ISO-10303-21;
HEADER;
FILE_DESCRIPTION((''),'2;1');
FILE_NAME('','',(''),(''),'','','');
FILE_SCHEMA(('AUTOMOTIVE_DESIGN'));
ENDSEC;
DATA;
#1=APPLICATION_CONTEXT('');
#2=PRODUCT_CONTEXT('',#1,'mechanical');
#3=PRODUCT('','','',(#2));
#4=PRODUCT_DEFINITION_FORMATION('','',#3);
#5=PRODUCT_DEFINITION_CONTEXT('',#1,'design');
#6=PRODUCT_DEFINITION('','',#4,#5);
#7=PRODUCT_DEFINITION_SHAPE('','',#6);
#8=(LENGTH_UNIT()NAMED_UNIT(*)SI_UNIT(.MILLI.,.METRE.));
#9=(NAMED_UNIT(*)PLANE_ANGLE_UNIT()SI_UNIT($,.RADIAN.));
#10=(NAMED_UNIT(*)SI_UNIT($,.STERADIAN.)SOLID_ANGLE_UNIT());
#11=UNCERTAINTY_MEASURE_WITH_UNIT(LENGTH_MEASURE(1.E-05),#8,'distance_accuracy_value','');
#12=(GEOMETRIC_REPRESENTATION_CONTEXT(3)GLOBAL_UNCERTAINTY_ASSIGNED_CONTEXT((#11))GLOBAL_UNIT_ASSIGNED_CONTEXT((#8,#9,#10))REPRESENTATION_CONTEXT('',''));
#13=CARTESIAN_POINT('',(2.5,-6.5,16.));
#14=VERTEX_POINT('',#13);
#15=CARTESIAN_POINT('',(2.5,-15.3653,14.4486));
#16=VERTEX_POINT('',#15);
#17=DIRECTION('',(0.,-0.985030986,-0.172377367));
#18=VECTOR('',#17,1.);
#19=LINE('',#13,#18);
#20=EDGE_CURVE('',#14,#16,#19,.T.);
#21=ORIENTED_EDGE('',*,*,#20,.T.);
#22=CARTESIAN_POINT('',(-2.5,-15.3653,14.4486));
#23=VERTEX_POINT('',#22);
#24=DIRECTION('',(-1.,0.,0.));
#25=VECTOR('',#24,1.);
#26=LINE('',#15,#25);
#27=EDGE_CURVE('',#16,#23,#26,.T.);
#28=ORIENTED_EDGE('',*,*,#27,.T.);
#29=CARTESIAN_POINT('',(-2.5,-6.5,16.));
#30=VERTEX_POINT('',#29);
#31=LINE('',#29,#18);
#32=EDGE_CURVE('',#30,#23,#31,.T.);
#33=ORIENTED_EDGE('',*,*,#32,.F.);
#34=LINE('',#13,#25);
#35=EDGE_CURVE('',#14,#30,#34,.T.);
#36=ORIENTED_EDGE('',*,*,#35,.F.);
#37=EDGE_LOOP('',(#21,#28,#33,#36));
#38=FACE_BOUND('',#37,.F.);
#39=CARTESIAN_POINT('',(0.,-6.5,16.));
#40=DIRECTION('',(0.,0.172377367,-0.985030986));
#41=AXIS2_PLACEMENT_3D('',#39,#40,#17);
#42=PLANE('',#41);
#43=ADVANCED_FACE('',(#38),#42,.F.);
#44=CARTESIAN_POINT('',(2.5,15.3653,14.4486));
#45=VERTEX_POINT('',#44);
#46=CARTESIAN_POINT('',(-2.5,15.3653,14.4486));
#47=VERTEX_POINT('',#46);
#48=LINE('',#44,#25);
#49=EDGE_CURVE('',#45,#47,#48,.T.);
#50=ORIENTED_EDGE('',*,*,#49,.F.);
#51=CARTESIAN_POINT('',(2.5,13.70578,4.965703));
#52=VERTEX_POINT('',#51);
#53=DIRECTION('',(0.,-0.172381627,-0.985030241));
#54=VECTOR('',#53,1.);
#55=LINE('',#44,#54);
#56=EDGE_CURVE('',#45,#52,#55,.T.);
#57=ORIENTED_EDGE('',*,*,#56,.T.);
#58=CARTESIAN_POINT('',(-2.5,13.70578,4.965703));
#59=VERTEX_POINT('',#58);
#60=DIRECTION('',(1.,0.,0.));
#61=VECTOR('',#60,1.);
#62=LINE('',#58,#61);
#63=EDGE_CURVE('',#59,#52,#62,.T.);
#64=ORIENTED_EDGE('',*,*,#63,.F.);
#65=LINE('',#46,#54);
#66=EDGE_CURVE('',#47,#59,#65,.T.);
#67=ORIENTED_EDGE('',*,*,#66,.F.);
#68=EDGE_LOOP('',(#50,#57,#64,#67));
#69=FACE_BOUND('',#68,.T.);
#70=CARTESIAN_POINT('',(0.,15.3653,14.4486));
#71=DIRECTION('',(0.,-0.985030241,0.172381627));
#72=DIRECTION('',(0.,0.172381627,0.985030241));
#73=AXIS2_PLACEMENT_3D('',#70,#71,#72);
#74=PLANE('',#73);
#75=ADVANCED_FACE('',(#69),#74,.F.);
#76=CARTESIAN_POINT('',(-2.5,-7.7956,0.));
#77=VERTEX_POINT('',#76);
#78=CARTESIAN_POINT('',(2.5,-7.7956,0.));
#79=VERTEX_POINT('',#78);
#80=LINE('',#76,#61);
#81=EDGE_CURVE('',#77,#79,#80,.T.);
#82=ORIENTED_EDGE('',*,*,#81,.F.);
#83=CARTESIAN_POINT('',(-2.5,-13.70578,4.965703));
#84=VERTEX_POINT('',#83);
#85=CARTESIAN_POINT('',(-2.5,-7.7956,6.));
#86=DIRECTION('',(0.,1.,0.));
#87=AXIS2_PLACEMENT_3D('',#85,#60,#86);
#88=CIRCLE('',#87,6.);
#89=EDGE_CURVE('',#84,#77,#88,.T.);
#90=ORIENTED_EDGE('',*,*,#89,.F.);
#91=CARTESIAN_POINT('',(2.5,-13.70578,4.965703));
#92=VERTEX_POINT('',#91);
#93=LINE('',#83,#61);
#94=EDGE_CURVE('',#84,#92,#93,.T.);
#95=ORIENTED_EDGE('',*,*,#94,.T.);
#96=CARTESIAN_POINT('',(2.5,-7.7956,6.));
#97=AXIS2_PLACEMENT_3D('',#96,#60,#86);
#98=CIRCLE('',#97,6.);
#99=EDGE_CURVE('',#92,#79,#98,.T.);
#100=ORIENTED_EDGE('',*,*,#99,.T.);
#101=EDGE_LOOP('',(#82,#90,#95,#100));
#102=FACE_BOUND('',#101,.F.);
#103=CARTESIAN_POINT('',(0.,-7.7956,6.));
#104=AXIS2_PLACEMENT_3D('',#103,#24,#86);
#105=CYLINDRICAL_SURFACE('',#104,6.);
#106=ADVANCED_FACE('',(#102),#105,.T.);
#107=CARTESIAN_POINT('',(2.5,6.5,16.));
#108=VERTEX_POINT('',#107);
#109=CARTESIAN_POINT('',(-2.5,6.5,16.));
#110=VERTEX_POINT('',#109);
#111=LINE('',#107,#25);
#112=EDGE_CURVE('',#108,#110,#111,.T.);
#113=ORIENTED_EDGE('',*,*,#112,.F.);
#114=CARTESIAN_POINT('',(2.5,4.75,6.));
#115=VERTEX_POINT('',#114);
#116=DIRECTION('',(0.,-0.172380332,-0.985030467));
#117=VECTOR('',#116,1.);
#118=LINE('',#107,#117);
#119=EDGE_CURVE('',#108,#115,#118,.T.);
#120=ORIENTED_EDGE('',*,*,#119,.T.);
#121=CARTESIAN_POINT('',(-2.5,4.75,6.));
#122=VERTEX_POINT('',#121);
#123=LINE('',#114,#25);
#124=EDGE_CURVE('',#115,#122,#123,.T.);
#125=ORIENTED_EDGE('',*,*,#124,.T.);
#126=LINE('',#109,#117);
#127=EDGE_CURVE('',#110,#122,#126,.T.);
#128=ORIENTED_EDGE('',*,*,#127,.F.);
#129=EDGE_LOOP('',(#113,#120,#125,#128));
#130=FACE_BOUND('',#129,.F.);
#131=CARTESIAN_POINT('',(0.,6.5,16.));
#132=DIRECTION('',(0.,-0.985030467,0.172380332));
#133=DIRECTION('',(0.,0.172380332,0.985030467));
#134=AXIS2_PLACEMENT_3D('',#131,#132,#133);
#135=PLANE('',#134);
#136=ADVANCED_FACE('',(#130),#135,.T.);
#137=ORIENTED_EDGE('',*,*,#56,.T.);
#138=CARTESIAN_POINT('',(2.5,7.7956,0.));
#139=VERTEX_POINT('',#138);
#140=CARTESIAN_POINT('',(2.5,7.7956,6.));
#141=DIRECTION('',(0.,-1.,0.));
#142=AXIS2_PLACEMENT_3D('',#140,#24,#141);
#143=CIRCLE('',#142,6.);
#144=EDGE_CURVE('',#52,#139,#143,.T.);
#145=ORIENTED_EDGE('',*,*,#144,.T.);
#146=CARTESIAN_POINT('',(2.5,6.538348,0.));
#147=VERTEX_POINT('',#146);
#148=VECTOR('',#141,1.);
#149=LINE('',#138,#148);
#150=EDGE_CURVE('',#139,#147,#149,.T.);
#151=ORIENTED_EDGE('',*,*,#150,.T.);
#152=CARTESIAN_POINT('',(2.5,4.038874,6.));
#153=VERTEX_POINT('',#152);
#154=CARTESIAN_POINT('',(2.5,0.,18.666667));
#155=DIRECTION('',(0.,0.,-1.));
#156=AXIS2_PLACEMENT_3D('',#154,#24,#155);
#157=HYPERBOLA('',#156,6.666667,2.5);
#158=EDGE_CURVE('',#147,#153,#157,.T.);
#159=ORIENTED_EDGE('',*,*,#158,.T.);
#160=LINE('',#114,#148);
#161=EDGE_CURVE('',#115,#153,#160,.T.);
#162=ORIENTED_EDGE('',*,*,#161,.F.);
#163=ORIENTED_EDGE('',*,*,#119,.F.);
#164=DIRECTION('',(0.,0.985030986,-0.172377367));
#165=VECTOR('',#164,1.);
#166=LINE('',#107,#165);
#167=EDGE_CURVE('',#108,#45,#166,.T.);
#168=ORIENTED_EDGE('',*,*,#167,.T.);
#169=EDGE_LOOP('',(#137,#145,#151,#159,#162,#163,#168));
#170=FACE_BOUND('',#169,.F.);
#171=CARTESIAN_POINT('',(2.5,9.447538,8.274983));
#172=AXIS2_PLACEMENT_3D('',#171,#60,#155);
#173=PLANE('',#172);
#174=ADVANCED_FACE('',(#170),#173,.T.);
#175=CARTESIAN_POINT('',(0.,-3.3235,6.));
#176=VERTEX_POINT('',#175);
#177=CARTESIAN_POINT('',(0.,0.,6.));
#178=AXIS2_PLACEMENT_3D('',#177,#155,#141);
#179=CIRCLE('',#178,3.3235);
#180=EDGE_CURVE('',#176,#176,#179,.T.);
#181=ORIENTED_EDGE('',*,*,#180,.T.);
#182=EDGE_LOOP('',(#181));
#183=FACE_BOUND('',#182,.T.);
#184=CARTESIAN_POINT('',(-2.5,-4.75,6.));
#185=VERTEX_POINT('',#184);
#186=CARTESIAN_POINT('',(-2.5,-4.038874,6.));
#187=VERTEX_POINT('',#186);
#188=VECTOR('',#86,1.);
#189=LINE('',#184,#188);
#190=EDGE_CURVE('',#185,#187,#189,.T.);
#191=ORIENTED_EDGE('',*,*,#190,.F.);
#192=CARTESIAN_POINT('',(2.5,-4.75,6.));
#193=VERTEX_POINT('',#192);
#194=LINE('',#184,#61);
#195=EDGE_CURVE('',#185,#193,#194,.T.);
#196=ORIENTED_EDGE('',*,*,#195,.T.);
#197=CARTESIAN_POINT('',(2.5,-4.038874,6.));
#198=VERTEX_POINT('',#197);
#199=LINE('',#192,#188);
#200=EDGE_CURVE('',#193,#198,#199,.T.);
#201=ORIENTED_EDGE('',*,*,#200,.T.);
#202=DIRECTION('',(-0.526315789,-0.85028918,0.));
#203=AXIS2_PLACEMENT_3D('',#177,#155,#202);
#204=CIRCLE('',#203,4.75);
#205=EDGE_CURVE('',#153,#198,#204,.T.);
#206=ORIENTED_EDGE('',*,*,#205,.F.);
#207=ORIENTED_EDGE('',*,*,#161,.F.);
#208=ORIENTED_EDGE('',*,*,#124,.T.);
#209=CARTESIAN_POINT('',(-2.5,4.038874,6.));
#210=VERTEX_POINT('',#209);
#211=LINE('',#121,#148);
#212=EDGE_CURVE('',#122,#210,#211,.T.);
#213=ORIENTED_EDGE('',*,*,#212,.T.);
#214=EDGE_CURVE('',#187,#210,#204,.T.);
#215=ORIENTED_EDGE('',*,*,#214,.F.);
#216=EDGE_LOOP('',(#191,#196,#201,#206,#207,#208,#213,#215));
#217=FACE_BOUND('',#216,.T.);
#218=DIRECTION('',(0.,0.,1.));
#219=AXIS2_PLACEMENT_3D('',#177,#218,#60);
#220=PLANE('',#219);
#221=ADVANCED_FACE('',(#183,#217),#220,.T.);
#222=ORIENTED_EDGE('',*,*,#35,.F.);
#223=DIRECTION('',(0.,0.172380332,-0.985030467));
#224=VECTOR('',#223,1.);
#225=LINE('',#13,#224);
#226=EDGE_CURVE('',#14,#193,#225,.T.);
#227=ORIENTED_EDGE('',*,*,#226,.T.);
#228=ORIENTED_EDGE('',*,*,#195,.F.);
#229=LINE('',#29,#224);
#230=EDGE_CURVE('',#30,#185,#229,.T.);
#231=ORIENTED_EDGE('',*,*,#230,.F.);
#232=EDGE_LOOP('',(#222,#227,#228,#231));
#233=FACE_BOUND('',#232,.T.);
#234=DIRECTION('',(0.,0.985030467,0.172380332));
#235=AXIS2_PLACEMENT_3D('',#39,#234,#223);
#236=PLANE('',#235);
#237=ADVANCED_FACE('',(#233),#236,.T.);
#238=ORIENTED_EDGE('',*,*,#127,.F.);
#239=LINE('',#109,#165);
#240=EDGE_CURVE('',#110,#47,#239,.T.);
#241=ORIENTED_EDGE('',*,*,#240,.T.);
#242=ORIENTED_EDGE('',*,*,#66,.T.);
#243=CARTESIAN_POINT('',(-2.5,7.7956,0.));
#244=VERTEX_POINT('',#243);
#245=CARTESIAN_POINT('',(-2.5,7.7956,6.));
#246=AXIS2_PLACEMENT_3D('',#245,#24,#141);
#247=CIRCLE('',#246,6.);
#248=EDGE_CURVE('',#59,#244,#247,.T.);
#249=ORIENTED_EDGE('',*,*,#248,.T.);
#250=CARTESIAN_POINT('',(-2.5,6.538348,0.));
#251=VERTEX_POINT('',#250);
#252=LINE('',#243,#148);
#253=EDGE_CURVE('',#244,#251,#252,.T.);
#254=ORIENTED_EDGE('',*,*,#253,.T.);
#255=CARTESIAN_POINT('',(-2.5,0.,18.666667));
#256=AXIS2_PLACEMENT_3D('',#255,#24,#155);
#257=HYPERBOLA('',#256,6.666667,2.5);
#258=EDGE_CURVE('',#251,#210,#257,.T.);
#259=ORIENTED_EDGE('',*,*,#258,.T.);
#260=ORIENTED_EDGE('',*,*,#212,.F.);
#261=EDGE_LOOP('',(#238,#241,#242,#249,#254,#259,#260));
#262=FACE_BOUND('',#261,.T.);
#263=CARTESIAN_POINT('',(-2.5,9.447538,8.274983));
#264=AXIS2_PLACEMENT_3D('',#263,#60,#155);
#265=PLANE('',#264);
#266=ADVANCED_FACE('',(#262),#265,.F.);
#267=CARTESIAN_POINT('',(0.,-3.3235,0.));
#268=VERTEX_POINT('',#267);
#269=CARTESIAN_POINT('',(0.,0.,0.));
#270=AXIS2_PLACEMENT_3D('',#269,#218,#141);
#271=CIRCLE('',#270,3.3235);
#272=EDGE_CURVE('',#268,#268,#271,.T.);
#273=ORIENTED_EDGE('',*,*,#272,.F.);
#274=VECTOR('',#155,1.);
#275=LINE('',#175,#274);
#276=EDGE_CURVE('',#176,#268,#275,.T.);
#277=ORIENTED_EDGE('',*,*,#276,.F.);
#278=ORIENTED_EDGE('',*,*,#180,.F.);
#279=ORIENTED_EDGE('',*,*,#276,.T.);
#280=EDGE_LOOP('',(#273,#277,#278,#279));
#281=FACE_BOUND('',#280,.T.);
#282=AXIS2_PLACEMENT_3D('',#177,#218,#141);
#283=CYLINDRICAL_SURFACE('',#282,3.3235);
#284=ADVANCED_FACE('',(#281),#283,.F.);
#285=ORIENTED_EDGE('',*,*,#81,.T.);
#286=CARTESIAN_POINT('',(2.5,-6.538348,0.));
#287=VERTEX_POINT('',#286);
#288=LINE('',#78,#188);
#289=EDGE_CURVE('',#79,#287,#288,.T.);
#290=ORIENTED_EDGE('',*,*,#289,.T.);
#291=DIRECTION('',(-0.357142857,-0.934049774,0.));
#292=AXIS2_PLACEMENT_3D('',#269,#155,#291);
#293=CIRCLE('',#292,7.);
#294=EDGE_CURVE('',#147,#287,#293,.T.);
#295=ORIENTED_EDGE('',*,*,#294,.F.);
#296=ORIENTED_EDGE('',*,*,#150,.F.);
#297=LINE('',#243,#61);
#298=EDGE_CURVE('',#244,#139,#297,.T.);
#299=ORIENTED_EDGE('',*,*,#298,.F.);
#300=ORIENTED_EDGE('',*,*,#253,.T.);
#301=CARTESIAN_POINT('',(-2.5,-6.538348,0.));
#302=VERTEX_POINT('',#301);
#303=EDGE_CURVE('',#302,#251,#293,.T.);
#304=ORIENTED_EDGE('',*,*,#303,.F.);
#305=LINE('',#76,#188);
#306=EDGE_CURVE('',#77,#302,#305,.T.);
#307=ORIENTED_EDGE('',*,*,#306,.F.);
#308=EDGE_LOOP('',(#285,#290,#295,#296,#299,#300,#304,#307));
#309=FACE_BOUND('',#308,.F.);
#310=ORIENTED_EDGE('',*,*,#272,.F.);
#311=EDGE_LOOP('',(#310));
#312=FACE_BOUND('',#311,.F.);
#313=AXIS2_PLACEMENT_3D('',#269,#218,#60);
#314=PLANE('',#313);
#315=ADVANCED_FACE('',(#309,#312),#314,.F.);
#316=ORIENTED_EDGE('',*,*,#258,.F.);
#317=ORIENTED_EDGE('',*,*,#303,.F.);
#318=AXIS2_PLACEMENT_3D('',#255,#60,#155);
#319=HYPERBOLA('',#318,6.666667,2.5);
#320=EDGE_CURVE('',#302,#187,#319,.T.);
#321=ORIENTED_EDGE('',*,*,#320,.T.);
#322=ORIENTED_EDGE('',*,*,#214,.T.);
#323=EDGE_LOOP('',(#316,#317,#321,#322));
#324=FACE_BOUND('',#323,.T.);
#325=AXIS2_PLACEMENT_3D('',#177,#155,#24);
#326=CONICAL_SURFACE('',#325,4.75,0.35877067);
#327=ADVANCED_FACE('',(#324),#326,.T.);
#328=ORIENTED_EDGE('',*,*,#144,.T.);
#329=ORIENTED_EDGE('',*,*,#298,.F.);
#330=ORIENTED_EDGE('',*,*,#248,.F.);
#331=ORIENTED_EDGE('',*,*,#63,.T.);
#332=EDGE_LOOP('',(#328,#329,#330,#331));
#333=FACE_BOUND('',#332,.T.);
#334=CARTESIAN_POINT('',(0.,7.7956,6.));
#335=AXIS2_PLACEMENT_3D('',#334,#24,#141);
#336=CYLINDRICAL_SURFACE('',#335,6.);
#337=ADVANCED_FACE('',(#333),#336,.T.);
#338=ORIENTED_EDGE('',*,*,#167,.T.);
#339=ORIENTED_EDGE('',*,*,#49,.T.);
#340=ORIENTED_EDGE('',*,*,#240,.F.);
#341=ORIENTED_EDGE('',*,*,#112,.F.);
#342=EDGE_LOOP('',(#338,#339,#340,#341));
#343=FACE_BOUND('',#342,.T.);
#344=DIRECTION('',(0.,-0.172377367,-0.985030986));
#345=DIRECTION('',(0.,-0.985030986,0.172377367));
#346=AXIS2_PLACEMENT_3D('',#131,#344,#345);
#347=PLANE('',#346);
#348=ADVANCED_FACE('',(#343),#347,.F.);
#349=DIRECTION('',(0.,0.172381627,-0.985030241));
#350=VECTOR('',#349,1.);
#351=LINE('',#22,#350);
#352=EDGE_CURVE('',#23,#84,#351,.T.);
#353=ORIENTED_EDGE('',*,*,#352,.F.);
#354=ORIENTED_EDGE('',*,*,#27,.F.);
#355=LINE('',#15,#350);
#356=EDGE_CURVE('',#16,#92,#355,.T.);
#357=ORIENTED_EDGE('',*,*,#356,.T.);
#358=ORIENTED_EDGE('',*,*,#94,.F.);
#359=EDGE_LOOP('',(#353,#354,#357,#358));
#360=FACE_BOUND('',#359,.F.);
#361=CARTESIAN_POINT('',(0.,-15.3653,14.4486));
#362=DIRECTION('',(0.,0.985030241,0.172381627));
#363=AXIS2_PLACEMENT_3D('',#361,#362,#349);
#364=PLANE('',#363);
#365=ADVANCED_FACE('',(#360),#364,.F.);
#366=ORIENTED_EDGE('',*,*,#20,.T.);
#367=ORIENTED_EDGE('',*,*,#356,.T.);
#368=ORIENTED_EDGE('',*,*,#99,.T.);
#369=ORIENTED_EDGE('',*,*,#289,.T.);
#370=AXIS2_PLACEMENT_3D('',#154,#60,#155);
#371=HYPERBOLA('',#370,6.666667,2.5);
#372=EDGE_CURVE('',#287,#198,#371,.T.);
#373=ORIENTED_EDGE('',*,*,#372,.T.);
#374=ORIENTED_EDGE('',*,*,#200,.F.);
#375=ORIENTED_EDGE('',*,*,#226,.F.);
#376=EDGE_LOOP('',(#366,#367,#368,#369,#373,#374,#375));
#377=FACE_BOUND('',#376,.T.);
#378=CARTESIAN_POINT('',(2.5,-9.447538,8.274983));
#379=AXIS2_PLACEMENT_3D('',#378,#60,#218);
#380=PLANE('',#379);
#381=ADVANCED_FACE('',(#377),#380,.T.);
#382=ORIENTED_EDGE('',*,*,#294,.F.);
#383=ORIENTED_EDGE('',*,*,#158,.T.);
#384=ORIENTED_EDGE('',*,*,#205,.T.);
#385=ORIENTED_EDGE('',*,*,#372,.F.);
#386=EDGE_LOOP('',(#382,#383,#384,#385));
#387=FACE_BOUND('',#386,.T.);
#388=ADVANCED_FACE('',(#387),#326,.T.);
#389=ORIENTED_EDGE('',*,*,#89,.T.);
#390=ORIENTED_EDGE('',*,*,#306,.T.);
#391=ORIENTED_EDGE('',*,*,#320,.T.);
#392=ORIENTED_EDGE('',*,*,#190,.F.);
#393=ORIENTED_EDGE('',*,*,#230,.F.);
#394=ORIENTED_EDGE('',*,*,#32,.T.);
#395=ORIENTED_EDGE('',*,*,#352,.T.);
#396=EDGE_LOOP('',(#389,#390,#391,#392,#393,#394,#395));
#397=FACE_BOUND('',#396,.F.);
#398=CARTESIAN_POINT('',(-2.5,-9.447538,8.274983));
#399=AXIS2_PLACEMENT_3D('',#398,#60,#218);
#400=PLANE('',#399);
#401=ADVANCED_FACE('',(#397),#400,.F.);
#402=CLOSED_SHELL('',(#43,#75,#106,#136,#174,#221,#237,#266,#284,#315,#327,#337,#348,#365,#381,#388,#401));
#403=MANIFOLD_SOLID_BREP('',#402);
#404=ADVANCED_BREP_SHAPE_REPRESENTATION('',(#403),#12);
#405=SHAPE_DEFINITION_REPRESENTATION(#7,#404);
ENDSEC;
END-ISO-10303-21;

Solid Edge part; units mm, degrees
sketch "Sketch1" plane through (0, 0, 0) normal (0, 0, 1) x (1, 0, 0)
  circle A0 centre (0, 0) radius 7
  dimension "D1" = 14
extrude "Protrusion1" add sketch "Sketch1" along normal blind 6
sketch "Sketch2" plane through (0, 0, 0) normal (0, -1, 0) x (1, 0, 0)
  line L0 (-4.75, 6) -> (-7, 0)
  dimension "D1" = 4.75
revolve "RevolvedCutout1" cut sketch "Sketch2" angle 360 about axis through (0, 0, 54) along (0, 0, -1) material side at (-5.9218, 0, 3.0176)
hole "Hole_1" at (0, 0, 6) direction (0, 0, -1) diameter 6.647 end through all
sketch "Sketch3" plane through (0, 0, 0) normal (1, 0, 0) x (0, 1, 0)
  line L0 (-15.3653, 14.4486) -> (-13.7058, 4.9657)
  arc A0 (-13.7058, 4.9657) -> (-7.7956, 0) centre (-7.7956, 6) ccw
  line L1 (-7.7956, 0) -> (-6.0543, 0)
  line L2 (-3.75, 6) -> (-6.0543, 0)
  line L3 (-4.75, 6) -> (-3.75, 6)
  line L4 (-6.5, 16) -> (-4.75, 6)
  line L5 (-6.5, 16) -> (-15.3653, 14.4486)
extrude "ExtrudedProtrusion_3" add sketch "Sketch3" along normal mid plane 5
mirror "Mirror1" about plane through (0, 0, 0) normal (0, -1, 0) of "ExtrudedProtrusion_3"
